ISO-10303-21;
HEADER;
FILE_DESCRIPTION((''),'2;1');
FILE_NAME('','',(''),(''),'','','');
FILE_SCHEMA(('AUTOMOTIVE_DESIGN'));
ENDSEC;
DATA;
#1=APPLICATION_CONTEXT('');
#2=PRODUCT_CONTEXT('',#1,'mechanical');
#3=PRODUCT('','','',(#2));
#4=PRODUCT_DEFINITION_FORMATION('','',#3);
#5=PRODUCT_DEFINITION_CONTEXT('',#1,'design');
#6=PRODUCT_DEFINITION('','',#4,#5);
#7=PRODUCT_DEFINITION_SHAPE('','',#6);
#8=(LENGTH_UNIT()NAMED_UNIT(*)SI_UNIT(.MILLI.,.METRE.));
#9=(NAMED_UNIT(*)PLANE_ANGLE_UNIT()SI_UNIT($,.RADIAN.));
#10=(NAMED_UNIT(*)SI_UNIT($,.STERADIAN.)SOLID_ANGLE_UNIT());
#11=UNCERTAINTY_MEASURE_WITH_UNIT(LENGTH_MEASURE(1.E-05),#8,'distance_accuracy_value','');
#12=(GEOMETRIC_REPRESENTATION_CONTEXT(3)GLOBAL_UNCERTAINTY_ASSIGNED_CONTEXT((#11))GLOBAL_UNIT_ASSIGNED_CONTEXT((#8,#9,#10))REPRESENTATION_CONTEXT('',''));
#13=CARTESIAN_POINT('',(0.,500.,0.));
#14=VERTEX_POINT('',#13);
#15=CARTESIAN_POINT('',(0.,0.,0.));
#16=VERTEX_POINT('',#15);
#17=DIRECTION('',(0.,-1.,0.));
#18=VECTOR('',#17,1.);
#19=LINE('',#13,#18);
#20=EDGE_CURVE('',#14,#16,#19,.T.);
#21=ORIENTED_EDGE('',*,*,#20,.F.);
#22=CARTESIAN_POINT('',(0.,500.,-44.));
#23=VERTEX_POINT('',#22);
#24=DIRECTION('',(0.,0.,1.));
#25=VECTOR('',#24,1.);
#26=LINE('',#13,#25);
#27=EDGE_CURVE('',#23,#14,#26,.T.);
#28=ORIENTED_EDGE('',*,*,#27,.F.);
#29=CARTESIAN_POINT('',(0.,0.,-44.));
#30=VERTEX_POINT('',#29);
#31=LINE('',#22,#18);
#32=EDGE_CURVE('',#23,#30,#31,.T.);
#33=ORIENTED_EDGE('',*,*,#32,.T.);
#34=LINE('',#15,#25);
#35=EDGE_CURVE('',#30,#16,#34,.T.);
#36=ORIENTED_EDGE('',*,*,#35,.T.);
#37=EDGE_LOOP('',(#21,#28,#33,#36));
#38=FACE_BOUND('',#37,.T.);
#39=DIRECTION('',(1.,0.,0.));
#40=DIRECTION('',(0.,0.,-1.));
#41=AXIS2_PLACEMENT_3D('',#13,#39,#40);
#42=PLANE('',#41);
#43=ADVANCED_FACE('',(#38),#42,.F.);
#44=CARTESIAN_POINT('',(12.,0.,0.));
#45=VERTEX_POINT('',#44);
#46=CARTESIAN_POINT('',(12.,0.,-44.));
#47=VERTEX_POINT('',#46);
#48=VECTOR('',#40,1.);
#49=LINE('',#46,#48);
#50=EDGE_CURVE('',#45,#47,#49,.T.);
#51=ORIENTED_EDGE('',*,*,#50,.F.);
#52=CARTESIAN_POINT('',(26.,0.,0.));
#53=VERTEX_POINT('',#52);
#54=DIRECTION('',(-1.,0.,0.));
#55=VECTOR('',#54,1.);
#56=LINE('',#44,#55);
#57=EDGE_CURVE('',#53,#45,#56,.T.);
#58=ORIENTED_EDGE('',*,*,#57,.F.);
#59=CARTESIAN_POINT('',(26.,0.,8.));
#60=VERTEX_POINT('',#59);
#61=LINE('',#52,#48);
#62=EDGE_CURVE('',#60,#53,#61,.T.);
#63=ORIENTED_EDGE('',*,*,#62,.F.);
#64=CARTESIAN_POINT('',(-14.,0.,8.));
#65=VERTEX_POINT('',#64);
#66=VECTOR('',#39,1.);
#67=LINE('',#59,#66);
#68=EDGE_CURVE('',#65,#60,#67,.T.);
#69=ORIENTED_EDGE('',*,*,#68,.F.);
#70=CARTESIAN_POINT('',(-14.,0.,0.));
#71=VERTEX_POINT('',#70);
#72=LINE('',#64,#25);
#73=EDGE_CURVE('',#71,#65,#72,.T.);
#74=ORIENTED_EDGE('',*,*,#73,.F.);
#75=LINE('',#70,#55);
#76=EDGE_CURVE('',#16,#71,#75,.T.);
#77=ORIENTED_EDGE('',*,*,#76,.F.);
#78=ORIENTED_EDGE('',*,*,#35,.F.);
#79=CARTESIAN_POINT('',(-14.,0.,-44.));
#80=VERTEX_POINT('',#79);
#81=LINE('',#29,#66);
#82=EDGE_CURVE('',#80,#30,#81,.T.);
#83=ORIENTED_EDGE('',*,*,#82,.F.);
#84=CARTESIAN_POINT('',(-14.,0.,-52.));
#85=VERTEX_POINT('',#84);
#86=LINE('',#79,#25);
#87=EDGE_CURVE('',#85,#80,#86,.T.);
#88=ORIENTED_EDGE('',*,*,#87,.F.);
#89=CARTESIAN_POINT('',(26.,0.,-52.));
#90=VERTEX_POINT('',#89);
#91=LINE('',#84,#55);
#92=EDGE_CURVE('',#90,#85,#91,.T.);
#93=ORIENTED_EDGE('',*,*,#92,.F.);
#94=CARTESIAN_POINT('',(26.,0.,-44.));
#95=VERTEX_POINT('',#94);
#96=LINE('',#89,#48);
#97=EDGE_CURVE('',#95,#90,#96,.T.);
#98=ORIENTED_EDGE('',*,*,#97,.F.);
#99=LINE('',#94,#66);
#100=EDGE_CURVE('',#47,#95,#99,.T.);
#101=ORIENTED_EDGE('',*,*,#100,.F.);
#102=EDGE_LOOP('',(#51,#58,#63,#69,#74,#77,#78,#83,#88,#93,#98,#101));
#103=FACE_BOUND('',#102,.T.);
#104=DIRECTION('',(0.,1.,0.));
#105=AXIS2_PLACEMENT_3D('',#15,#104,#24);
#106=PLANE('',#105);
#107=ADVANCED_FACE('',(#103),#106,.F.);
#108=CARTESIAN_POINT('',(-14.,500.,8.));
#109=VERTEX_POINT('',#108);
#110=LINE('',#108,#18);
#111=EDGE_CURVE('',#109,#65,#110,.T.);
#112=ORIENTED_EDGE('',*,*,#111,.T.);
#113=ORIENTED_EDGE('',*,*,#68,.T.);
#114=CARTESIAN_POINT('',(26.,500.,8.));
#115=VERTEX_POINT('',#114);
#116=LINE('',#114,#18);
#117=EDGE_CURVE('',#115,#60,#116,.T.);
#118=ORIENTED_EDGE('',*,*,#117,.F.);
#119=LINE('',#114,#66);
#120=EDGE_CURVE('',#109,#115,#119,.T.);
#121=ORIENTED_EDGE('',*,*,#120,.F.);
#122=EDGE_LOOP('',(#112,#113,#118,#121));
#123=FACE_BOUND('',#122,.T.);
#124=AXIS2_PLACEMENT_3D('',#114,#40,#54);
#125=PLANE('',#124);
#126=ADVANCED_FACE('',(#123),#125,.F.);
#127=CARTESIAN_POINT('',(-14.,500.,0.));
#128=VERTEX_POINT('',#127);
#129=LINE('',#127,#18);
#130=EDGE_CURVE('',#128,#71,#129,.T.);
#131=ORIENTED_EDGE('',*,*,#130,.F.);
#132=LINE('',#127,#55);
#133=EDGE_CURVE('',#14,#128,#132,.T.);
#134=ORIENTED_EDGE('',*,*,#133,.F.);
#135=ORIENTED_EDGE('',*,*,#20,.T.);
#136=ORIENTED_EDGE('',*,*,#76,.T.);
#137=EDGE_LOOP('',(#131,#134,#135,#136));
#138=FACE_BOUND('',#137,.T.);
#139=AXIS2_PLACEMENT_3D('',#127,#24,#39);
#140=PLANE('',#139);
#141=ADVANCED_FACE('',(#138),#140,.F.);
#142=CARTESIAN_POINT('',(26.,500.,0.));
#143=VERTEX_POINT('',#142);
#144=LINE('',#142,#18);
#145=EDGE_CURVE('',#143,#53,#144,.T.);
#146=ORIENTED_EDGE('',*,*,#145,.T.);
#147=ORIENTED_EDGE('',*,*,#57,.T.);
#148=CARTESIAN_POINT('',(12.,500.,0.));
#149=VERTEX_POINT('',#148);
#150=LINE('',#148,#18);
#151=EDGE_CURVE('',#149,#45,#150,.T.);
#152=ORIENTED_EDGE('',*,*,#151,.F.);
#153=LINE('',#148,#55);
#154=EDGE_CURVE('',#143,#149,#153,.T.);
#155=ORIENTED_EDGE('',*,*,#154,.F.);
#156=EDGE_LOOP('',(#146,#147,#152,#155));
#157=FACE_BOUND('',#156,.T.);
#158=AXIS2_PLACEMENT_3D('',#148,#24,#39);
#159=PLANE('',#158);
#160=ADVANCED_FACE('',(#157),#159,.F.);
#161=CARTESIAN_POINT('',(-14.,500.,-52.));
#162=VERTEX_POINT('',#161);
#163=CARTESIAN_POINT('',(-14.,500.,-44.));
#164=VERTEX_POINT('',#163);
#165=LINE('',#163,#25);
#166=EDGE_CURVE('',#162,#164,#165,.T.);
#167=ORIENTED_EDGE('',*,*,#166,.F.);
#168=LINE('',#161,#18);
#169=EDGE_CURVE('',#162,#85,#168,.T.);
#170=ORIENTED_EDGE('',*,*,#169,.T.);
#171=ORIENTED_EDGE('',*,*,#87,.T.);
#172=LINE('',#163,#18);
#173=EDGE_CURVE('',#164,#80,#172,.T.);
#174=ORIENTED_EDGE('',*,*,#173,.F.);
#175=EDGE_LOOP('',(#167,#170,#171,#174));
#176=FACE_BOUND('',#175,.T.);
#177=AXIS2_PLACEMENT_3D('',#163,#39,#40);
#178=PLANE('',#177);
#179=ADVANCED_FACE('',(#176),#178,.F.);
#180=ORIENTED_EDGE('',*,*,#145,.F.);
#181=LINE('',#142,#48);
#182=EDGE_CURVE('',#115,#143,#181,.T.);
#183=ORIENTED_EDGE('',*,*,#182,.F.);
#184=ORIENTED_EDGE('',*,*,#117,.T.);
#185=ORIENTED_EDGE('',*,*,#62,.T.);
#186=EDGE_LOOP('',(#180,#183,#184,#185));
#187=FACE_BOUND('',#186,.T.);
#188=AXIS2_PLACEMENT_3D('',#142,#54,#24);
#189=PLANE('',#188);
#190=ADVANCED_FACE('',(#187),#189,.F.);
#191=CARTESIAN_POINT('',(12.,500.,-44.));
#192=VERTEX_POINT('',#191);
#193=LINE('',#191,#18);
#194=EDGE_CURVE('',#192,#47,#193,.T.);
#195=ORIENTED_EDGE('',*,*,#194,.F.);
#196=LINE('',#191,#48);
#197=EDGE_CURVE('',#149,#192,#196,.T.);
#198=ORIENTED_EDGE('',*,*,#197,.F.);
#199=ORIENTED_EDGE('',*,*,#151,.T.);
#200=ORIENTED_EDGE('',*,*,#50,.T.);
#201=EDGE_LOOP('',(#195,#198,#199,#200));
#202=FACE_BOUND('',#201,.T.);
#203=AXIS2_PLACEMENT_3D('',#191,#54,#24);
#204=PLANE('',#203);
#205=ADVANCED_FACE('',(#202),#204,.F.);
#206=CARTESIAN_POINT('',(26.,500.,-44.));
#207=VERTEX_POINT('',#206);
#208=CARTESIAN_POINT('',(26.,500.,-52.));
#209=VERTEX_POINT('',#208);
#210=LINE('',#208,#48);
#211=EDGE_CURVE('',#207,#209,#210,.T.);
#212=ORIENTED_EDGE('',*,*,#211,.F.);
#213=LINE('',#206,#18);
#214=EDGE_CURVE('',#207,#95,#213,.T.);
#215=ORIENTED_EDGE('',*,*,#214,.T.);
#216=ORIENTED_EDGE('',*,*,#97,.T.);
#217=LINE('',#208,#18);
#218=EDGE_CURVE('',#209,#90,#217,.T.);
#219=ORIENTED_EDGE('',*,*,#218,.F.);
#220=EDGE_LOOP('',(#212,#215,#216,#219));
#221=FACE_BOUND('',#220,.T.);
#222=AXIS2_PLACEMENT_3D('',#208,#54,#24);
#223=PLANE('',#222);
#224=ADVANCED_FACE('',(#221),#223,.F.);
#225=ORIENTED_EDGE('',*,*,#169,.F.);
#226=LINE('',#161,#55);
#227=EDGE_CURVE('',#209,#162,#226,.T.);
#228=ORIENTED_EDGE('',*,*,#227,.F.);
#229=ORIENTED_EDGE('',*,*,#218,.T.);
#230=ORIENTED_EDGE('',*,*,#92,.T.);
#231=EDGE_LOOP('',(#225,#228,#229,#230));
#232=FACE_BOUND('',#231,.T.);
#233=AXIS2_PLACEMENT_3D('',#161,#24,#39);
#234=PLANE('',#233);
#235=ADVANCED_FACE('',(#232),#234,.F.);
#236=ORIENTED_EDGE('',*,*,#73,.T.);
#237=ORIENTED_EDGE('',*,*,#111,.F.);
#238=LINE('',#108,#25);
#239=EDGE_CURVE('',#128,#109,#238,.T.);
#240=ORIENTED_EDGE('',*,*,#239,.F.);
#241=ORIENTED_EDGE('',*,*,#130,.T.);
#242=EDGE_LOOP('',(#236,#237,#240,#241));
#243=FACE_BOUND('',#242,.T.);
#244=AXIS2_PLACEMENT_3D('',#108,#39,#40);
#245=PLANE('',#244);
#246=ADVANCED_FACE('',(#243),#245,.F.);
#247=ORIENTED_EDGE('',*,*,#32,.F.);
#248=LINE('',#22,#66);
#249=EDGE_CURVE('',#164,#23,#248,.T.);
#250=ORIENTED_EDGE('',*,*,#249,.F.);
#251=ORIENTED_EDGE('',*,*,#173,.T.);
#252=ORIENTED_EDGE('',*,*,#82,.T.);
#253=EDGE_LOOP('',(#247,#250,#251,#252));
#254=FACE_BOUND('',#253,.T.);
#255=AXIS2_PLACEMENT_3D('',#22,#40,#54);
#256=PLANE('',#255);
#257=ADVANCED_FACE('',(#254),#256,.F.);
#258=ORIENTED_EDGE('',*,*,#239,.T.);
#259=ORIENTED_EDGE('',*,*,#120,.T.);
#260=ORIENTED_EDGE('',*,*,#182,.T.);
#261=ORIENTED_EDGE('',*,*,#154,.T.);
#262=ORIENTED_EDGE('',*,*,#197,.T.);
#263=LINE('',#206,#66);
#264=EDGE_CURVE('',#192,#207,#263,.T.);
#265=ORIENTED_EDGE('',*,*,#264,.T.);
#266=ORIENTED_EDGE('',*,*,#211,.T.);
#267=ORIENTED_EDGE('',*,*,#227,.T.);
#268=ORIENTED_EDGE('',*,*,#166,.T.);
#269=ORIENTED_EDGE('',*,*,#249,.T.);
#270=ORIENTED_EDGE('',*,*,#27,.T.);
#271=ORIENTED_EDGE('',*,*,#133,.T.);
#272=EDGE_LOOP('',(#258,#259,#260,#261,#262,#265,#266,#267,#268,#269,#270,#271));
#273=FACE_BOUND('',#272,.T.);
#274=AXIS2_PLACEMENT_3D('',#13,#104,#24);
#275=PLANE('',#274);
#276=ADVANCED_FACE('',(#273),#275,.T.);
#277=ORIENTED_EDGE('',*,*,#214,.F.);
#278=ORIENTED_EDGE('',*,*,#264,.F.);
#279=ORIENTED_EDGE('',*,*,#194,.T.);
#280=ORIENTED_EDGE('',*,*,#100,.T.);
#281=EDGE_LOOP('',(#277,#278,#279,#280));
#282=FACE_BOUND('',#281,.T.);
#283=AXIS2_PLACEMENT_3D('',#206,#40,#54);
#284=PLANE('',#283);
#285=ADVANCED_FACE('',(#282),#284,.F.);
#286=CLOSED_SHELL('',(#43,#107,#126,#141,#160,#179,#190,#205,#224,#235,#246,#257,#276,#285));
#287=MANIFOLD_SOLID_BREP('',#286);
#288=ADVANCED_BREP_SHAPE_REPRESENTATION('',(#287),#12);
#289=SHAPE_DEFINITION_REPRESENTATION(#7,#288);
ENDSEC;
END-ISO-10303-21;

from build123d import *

# Parameters (mm, degrees)
BOSS_EXTRUDE1_DEPTH = 500


with BuildPart() as part:
    # Sketch1 → Boss-Extrude1 (new body)
    with BuildSketch(Plane(origin=(0, 0, 0), x_dir=(1, 0, 0), z_dir=(0, 1, 0))):
        Polygon((0, 0), (0, 44), (-14, 44), (-14, 52), (26, 52), (26, 44), (12, 44), (12, 0), (26, 0), (26, -8), (-14, -8), (-14, 0), align=None)
    extrude(amount=BOSS_EXTRUDE1_DEPTH)


solid = part.part
